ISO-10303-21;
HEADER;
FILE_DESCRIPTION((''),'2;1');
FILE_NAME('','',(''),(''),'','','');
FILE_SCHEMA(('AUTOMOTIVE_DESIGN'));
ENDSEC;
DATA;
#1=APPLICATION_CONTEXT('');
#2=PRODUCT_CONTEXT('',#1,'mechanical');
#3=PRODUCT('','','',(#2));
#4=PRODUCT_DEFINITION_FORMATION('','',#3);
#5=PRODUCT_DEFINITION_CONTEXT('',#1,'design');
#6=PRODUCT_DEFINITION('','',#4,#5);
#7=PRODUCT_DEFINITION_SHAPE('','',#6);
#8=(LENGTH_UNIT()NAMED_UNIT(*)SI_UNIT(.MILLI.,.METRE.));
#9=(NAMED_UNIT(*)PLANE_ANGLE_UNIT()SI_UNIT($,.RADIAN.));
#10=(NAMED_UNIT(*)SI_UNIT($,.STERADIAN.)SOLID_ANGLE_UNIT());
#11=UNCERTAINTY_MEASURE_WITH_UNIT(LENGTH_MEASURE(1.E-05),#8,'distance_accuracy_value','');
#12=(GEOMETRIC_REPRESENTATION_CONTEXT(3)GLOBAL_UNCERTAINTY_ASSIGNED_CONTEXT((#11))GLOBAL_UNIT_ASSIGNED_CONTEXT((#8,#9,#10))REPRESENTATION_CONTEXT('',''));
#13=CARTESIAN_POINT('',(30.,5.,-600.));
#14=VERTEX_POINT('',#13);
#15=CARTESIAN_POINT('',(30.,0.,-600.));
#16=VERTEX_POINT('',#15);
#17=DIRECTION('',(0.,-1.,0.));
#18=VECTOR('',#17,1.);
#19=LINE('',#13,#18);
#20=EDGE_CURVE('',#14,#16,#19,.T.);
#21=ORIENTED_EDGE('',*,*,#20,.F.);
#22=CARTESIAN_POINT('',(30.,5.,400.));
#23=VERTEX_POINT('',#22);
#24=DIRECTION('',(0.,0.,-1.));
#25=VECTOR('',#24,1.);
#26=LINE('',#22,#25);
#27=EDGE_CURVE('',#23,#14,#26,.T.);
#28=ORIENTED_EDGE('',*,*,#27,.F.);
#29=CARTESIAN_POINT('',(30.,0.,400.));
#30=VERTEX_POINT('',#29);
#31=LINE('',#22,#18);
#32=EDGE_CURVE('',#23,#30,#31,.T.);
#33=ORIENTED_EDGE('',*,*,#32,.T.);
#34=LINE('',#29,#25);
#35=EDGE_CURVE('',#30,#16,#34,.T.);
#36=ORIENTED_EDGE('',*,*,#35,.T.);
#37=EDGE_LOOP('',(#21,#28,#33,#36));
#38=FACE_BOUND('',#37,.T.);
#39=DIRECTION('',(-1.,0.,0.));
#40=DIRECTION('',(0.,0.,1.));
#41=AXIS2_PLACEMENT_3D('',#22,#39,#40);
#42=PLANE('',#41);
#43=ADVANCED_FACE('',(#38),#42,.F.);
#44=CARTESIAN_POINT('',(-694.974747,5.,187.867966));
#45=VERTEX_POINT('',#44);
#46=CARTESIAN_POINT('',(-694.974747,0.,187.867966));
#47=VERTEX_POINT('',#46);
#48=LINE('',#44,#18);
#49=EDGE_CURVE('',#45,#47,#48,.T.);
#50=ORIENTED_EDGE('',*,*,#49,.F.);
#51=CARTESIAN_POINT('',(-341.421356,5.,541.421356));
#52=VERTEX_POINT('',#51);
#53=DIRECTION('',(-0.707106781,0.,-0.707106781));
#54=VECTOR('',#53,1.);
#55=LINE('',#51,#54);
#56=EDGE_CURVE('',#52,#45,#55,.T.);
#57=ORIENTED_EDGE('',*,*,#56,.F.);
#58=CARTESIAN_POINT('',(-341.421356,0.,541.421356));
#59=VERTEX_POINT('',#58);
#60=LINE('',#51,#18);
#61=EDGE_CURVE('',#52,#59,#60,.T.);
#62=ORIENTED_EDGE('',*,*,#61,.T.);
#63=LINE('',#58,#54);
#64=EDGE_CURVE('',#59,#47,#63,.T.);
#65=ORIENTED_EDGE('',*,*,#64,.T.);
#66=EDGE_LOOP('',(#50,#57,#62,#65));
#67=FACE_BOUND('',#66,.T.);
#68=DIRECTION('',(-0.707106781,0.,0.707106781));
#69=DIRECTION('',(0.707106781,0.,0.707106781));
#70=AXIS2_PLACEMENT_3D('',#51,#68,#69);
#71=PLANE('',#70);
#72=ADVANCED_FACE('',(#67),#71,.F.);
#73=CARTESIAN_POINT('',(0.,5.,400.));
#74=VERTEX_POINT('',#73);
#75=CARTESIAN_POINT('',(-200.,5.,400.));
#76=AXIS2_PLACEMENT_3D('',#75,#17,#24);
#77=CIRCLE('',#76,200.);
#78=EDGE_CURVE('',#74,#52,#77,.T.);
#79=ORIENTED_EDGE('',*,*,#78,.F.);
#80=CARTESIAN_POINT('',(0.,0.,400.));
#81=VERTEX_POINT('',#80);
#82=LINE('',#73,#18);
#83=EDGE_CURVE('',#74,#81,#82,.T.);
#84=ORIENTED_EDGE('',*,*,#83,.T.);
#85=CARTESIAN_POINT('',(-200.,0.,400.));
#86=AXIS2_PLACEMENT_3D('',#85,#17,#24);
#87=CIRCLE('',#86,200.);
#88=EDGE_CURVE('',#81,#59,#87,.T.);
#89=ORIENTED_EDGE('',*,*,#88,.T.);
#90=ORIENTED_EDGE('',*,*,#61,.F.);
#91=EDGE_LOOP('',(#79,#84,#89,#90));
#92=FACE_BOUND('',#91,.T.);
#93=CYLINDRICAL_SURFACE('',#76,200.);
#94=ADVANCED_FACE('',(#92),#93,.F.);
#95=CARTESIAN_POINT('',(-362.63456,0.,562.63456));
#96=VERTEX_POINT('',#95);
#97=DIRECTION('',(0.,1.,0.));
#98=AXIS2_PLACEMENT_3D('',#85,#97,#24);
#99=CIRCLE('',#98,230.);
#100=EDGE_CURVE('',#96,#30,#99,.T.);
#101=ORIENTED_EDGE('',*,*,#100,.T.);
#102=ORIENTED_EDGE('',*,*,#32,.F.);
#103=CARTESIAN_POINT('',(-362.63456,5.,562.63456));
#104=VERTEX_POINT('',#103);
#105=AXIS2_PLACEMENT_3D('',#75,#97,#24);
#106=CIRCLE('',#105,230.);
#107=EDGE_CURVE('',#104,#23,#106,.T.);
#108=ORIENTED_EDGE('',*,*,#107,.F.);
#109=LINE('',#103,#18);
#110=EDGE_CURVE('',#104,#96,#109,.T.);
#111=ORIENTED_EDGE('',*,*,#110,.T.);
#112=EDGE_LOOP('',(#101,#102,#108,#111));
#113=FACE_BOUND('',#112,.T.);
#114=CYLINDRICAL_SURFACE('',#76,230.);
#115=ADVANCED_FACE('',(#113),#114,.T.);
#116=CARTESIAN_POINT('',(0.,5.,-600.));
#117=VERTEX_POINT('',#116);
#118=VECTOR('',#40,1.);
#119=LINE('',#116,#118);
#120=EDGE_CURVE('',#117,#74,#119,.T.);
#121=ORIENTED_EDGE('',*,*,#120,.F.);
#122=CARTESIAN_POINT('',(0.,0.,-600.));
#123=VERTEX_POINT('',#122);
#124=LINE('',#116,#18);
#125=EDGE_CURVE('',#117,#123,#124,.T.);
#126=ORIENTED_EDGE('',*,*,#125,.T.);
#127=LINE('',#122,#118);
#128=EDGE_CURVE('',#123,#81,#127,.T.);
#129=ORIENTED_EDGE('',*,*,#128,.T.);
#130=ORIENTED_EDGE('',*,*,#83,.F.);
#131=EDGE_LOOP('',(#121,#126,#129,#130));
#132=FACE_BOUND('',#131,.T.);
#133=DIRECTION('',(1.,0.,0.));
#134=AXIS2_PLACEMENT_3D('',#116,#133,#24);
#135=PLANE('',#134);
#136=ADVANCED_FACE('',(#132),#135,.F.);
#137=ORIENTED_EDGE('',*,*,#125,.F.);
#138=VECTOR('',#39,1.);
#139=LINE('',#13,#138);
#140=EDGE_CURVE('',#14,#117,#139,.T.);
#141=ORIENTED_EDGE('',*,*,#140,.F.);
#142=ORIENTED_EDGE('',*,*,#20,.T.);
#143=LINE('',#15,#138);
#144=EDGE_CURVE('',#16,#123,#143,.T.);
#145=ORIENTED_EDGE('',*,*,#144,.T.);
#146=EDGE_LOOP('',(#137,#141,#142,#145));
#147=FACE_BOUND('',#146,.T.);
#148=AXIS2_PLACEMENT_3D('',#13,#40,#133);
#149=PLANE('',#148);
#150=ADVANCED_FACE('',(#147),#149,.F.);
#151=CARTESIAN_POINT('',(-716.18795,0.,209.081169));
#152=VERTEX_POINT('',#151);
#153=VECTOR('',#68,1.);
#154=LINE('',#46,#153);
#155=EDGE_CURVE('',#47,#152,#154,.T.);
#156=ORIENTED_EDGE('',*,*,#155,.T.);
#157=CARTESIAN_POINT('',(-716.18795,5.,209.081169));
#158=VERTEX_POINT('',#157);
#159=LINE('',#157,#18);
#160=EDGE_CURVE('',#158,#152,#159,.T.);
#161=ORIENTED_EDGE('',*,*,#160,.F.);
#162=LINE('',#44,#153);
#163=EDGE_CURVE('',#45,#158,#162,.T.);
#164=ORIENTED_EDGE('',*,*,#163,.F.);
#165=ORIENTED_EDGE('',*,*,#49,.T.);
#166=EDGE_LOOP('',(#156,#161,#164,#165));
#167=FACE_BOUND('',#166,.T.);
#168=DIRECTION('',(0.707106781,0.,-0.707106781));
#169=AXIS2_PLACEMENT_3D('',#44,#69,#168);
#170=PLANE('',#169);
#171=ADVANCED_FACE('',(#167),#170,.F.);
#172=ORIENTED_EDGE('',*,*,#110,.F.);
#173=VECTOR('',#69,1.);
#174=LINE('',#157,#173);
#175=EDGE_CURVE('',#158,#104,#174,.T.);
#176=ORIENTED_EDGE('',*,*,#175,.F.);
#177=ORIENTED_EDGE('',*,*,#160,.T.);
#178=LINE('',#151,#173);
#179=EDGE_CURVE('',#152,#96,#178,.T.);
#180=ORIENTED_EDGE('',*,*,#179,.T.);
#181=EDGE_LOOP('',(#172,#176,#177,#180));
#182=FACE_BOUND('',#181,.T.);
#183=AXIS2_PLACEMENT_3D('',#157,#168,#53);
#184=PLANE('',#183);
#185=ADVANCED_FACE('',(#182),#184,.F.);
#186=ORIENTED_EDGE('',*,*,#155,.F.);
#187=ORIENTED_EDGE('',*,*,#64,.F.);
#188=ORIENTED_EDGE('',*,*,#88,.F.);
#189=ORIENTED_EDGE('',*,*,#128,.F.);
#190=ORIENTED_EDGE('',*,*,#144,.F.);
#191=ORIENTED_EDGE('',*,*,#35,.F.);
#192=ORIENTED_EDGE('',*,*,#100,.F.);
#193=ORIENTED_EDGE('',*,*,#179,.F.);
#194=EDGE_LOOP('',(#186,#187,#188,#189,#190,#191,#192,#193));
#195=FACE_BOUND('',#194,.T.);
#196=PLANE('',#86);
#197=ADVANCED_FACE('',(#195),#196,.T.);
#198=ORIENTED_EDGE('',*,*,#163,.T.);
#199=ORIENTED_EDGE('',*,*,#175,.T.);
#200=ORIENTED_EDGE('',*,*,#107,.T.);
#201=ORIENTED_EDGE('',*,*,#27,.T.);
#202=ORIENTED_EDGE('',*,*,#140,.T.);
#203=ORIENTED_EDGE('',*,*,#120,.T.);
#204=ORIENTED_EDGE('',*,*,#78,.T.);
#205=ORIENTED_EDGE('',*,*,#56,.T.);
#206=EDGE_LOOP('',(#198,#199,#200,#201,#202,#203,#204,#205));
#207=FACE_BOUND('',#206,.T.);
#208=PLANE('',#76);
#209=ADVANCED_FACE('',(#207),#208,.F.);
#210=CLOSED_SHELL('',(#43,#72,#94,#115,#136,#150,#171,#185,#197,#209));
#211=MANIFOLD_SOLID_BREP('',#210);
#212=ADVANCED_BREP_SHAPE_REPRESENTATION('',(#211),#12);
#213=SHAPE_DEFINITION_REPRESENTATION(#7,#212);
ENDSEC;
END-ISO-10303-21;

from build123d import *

# Parameters (mm, degrees)
BOSS_EXTRUDE1_DEPTH = 5


with BuildPart() as part:
    # Sketch1 → Boss-Extrude1 (new body)
    with BuildSketch(Plane(origin=(0, 0, 0), x_dir=(1, 0, 0), z_dir=(0, 1, 0))):
        with BuildLine():
            Line((0, 600), (0, -400))
            ThreePointArc((0, -400), (-123.463313527, -584.775906502), (-341.421356237, -541.421356237))
            Line((-341.421356237, -541.421356237), (-694.974746831, -187.867965644))
            Line((-694.974746831, -187.867965644), (-716.187950266, -209.08116908))
            Line((-716.187950266, -209.08116908), (-362.634559673, -562.634559673))
            ThreePointArc((-362.634559673, -562.634559673), (-111.982810556, -612.492292478), (30, -400))
            Line((30, -400), (30, 600))
            Line((30, 600), (0, 600))
        make_face()
    extrude(amount=BOSS_EXTRUDE1_DEPTH)


solid = part.part
